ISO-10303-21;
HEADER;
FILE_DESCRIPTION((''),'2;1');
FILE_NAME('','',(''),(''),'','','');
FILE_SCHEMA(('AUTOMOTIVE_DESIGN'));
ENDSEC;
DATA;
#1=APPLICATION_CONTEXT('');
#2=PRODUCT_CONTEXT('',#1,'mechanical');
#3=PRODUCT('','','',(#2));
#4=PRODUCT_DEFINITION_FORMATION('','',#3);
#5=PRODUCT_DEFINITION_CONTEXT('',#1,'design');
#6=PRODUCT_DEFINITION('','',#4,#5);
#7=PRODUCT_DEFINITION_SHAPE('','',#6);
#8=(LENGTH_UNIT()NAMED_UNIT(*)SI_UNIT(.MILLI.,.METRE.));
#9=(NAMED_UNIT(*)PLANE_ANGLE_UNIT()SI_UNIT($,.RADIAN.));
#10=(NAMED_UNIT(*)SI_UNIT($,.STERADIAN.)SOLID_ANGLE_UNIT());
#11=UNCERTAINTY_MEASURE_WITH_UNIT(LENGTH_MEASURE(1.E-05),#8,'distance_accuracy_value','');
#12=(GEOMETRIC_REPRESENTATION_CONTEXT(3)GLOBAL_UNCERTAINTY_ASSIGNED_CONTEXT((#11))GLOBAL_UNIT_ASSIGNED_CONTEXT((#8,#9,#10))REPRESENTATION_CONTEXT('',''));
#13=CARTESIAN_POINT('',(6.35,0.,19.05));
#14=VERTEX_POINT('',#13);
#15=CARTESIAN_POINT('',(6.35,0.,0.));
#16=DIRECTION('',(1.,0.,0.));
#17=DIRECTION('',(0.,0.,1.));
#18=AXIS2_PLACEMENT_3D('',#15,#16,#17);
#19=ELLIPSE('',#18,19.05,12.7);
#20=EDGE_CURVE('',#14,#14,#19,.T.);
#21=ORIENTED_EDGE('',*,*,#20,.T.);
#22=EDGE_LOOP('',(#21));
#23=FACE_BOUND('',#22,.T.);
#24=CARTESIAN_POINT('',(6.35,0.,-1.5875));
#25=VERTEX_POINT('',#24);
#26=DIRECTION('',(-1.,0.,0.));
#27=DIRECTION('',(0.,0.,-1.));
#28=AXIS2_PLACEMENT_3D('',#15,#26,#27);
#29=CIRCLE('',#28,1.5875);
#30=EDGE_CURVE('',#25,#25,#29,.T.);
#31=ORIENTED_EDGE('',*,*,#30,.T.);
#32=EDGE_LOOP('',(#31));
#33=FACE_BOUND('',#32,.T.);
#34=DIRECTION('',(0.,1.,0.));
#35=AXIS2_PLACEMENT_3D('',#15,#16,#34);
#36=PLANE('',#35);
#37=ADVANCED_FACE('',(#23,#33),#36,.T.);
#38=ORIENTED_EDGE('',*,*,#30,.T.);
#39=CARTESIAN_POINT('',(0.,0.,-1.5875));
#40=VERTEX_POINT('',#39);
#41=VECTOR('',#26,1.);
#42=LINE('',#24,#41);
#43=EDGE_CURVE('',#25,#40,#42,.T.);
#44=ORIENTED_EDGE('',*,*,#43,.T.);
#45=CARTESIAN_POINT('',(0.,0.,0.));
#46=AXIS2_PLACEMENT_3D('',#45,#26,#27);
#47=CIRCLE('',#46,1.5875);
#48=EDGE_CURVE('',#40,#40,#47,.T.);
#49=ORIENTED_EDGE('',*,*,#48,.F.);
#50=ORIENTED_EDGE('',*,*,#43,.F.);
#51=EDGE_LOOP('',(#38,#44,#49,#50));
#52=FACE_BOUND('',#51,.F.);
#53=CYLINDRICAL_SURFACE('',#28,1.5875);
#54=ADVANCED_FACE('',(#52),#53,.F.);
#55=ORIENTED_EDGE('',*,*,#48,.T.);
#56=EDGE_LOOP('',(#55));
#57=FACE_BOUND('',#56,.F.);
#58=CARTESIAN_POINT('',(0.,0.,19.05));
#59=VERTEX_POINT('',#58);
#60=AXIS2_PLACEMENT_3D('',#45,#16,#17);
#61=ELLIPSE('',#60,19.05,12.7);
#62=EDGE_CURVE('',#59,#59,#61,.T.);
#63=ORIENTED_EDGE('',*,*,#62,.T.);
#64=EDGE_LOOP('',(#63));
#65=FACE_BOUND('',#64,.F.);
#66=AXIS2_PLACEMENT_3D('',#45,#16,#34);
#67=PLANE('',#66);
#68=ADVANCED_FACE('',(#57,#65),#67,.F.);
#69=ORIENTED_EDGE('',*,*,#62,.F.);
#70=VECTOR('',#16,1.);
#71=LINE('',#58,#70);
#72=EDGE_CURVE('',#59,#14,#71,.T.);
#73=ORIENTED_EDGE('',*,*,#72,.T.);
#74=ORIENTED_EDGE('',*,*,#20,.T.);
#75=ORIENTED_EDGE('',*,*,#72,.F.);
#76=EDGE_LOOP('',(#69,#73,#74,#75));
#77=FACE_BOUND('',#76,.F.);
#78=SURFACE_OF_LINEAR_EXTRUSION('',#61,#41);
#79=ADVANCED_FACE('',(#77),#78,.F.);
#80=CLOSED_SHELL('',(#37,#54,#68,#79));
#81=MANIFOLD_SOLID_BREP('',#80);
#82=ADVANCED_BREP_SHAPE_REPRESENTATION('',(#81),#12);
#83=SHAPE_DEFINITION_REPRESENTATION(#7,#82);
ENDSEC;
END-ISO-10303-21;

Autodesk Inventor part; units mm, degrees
ref_plane "YZ Plane" through (0, 0, 0) normal (1, 0, 0) x (0, 1, 0)
ref_plane "XZ Plane" through (0, 0, 0) normal (0, 1, 0) x (-1, 0, 0)
ref_plane "XY Plane" through (0, 0, 0) normal (0, 0, 1) x (1, 0, 0)
sketch "Sketch1" plane through (0, 0, 0) normal (1, 0, 0) x (0, 1, 0)
  ellipse E0 centre (0, 0) end of major axis (12.7, 0) minor radius 19.05
  dimension "d0" = 12.7
  dimension "d1" = 19.05
extrude "Extrusion1" add sketch "Sketch1" along normal blind 6.35
sketch "Sketch2" plane through (6.35, 0, 0) normal (1, 0, 0) x (0, 0, -1)
  ellipse E0 centre (0, 0) end of major axis (-19.05, 0) minor radius 12.7 projected
hole "Hole1" at (6.35, 0, 0) direction (-1, 0, 0) diameter 3.175 end through all
properties part number "Cam" material "Rubber"
